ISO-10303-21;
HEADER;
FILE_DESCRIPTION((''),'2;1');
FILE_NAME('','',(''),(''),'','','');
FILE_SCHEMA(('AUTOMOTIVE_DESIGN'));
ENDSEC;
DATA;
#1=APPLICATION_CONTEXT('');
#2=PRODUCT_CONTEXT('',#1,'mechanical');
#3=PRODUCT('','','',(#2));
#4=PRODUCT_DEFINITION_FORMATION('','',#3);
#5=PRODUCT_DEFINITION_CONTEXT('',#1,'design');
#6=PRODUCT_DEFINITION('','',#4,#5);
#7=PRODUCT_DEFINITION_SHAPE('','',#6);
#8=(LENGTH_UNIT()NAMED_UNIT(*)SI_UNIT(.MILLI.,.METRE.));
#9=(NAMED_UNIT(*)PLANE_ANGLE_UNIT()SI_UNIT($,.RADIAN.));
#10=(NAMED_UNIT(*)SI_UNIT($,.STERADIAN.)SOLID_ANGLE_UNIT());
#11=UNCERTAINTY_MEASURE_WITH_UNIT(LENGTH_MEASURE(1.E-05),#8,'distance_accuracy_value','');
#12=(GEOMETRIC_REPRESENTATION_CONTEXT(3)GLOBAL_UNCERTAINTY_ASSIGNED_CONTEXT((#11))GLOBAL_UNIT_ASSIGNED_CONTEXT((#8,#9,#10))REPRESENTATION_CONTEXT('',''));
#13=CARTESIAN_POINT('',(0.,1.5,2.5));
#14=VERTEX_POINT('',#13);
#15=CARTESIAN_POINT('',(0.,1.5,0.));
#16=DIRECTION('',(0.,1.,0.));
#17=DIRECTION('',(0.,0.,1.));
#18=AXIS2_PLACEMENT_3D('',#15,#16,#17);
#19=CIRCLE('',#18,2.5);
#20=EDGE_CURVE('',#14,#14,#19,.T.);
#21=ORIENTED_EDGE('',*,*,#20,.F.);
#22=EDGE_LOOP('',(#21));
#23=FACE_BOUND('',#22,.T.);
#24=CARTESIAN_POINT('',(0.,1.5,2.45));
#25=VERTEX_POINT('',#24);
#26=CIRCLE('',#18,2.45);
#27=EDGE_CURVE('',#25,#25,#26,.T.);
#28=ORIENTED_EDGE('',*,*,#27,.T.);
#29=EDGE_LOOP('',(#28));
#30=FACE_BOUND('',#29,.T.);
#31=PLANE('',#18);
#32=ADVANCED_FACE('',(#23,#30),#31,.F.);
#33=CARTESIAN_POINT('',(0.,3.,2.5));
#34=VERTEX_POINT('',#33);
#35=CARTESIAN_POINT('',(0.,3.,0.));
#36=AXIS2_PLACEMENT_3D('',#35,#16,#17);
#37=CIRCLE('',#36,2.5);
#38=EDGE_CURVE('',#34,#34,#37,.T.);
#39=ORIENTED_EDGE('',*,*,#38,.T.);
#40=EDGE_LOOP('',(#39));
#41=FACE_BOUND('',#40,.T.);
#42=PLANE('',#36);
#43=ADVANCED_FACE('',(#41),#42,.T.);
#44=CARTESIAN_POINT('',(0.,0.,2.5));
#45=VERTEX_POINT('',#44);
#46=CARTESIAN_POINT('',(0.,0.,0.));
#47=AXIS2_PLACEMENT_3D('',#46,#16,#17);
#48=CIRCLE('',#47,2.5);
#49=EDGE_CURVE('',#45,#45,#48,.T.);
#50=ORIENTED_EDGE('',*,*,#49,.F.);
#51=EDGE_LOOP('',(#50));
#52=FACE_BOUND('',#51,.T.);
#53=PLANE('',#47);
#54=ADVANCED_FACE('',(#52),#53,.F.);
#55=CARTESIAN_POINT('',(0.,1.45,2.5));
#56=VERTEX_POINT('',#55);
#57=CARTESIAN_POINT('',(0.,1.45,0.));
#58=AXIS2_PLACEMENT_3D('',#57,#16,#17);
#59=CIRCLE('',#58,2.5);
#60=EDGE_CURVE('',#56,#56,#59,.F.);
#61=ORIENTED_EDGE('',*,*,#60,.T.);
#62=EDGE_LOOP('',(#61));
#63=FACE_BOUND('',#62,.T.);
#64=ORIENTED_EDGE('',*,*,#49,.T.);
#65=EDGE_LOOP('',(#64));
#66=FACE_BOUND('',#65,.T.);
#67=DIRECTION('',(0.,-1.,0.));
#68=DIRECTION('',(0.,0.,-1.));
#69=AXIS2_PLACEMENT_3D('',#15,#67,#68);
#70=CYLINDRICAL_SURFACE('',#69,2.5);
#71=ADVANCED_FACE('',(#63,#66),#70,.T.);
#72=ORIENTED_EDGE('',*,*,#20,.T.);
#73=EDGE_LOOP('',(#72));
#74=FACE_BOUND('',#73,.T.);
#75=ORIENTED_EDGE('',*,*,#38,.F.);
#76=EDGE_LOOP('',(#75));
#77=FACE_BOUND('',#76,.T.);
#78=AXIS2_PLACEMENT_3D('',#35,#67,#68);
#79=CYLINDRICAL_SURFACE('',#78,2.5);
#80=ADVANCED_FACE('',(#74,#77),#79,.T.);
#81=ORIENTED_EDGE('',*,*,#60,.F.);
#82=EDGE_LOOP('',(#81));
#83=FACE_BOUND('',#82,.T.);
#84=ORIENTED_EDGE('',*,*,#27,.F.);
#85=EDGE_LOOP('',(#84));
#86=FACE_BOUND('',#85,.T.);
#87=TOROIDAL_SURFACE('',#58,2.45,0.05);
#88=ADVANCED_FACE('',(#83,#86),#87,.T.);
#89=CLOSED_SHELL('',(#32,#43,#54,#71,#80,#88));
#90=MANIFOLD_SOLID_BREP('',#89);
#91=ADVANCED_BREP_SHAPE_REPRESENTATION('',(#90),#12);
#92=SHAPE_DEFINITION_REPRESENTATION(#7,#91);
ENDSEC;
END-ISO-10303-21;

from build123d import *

# Parameters (mm, degrees)
SKETCH1_R           = 2.5
BOSS_EXTRUDE1_DEPTH = 1.5
FILLET1_R           = 0.05
SKETCH2_R           = 2.5
BOSS_EXTRUDE2_DEPTH = 1.5


with BuildPart() as part:
    # Sketch1 → Boss-Extrude1 (new body)
    with BuildSketch(Plane(origin=(0, 0, 0), x_dir=(1, 0, 0), z_dir=(0, 1, 0))):
        Circle(SKETCH1_R)
    extrude(amount=BOSS_EXTRUDE1_DEPTH)

    # Fillet1
    fillet1_edges = [part.edges().sort_by_distance(p)[0] for p in [
        (-2.5, 1.5, 0),
    ]]
    fillet(fillet1_edges, radius=FILLET1_R)

    # Sketch2 → Boss-Extrude2 (add)
    with BuildSketch(Plane(origin=(0, 1.5, 0), x_dir=(1, 0, 0), z_dir=(0, 1, 0))):
        Circle(SKETCH2_R)
    extrude(amount=BOSS_EXTRUDE2_DEPTH)


solid = part.part
